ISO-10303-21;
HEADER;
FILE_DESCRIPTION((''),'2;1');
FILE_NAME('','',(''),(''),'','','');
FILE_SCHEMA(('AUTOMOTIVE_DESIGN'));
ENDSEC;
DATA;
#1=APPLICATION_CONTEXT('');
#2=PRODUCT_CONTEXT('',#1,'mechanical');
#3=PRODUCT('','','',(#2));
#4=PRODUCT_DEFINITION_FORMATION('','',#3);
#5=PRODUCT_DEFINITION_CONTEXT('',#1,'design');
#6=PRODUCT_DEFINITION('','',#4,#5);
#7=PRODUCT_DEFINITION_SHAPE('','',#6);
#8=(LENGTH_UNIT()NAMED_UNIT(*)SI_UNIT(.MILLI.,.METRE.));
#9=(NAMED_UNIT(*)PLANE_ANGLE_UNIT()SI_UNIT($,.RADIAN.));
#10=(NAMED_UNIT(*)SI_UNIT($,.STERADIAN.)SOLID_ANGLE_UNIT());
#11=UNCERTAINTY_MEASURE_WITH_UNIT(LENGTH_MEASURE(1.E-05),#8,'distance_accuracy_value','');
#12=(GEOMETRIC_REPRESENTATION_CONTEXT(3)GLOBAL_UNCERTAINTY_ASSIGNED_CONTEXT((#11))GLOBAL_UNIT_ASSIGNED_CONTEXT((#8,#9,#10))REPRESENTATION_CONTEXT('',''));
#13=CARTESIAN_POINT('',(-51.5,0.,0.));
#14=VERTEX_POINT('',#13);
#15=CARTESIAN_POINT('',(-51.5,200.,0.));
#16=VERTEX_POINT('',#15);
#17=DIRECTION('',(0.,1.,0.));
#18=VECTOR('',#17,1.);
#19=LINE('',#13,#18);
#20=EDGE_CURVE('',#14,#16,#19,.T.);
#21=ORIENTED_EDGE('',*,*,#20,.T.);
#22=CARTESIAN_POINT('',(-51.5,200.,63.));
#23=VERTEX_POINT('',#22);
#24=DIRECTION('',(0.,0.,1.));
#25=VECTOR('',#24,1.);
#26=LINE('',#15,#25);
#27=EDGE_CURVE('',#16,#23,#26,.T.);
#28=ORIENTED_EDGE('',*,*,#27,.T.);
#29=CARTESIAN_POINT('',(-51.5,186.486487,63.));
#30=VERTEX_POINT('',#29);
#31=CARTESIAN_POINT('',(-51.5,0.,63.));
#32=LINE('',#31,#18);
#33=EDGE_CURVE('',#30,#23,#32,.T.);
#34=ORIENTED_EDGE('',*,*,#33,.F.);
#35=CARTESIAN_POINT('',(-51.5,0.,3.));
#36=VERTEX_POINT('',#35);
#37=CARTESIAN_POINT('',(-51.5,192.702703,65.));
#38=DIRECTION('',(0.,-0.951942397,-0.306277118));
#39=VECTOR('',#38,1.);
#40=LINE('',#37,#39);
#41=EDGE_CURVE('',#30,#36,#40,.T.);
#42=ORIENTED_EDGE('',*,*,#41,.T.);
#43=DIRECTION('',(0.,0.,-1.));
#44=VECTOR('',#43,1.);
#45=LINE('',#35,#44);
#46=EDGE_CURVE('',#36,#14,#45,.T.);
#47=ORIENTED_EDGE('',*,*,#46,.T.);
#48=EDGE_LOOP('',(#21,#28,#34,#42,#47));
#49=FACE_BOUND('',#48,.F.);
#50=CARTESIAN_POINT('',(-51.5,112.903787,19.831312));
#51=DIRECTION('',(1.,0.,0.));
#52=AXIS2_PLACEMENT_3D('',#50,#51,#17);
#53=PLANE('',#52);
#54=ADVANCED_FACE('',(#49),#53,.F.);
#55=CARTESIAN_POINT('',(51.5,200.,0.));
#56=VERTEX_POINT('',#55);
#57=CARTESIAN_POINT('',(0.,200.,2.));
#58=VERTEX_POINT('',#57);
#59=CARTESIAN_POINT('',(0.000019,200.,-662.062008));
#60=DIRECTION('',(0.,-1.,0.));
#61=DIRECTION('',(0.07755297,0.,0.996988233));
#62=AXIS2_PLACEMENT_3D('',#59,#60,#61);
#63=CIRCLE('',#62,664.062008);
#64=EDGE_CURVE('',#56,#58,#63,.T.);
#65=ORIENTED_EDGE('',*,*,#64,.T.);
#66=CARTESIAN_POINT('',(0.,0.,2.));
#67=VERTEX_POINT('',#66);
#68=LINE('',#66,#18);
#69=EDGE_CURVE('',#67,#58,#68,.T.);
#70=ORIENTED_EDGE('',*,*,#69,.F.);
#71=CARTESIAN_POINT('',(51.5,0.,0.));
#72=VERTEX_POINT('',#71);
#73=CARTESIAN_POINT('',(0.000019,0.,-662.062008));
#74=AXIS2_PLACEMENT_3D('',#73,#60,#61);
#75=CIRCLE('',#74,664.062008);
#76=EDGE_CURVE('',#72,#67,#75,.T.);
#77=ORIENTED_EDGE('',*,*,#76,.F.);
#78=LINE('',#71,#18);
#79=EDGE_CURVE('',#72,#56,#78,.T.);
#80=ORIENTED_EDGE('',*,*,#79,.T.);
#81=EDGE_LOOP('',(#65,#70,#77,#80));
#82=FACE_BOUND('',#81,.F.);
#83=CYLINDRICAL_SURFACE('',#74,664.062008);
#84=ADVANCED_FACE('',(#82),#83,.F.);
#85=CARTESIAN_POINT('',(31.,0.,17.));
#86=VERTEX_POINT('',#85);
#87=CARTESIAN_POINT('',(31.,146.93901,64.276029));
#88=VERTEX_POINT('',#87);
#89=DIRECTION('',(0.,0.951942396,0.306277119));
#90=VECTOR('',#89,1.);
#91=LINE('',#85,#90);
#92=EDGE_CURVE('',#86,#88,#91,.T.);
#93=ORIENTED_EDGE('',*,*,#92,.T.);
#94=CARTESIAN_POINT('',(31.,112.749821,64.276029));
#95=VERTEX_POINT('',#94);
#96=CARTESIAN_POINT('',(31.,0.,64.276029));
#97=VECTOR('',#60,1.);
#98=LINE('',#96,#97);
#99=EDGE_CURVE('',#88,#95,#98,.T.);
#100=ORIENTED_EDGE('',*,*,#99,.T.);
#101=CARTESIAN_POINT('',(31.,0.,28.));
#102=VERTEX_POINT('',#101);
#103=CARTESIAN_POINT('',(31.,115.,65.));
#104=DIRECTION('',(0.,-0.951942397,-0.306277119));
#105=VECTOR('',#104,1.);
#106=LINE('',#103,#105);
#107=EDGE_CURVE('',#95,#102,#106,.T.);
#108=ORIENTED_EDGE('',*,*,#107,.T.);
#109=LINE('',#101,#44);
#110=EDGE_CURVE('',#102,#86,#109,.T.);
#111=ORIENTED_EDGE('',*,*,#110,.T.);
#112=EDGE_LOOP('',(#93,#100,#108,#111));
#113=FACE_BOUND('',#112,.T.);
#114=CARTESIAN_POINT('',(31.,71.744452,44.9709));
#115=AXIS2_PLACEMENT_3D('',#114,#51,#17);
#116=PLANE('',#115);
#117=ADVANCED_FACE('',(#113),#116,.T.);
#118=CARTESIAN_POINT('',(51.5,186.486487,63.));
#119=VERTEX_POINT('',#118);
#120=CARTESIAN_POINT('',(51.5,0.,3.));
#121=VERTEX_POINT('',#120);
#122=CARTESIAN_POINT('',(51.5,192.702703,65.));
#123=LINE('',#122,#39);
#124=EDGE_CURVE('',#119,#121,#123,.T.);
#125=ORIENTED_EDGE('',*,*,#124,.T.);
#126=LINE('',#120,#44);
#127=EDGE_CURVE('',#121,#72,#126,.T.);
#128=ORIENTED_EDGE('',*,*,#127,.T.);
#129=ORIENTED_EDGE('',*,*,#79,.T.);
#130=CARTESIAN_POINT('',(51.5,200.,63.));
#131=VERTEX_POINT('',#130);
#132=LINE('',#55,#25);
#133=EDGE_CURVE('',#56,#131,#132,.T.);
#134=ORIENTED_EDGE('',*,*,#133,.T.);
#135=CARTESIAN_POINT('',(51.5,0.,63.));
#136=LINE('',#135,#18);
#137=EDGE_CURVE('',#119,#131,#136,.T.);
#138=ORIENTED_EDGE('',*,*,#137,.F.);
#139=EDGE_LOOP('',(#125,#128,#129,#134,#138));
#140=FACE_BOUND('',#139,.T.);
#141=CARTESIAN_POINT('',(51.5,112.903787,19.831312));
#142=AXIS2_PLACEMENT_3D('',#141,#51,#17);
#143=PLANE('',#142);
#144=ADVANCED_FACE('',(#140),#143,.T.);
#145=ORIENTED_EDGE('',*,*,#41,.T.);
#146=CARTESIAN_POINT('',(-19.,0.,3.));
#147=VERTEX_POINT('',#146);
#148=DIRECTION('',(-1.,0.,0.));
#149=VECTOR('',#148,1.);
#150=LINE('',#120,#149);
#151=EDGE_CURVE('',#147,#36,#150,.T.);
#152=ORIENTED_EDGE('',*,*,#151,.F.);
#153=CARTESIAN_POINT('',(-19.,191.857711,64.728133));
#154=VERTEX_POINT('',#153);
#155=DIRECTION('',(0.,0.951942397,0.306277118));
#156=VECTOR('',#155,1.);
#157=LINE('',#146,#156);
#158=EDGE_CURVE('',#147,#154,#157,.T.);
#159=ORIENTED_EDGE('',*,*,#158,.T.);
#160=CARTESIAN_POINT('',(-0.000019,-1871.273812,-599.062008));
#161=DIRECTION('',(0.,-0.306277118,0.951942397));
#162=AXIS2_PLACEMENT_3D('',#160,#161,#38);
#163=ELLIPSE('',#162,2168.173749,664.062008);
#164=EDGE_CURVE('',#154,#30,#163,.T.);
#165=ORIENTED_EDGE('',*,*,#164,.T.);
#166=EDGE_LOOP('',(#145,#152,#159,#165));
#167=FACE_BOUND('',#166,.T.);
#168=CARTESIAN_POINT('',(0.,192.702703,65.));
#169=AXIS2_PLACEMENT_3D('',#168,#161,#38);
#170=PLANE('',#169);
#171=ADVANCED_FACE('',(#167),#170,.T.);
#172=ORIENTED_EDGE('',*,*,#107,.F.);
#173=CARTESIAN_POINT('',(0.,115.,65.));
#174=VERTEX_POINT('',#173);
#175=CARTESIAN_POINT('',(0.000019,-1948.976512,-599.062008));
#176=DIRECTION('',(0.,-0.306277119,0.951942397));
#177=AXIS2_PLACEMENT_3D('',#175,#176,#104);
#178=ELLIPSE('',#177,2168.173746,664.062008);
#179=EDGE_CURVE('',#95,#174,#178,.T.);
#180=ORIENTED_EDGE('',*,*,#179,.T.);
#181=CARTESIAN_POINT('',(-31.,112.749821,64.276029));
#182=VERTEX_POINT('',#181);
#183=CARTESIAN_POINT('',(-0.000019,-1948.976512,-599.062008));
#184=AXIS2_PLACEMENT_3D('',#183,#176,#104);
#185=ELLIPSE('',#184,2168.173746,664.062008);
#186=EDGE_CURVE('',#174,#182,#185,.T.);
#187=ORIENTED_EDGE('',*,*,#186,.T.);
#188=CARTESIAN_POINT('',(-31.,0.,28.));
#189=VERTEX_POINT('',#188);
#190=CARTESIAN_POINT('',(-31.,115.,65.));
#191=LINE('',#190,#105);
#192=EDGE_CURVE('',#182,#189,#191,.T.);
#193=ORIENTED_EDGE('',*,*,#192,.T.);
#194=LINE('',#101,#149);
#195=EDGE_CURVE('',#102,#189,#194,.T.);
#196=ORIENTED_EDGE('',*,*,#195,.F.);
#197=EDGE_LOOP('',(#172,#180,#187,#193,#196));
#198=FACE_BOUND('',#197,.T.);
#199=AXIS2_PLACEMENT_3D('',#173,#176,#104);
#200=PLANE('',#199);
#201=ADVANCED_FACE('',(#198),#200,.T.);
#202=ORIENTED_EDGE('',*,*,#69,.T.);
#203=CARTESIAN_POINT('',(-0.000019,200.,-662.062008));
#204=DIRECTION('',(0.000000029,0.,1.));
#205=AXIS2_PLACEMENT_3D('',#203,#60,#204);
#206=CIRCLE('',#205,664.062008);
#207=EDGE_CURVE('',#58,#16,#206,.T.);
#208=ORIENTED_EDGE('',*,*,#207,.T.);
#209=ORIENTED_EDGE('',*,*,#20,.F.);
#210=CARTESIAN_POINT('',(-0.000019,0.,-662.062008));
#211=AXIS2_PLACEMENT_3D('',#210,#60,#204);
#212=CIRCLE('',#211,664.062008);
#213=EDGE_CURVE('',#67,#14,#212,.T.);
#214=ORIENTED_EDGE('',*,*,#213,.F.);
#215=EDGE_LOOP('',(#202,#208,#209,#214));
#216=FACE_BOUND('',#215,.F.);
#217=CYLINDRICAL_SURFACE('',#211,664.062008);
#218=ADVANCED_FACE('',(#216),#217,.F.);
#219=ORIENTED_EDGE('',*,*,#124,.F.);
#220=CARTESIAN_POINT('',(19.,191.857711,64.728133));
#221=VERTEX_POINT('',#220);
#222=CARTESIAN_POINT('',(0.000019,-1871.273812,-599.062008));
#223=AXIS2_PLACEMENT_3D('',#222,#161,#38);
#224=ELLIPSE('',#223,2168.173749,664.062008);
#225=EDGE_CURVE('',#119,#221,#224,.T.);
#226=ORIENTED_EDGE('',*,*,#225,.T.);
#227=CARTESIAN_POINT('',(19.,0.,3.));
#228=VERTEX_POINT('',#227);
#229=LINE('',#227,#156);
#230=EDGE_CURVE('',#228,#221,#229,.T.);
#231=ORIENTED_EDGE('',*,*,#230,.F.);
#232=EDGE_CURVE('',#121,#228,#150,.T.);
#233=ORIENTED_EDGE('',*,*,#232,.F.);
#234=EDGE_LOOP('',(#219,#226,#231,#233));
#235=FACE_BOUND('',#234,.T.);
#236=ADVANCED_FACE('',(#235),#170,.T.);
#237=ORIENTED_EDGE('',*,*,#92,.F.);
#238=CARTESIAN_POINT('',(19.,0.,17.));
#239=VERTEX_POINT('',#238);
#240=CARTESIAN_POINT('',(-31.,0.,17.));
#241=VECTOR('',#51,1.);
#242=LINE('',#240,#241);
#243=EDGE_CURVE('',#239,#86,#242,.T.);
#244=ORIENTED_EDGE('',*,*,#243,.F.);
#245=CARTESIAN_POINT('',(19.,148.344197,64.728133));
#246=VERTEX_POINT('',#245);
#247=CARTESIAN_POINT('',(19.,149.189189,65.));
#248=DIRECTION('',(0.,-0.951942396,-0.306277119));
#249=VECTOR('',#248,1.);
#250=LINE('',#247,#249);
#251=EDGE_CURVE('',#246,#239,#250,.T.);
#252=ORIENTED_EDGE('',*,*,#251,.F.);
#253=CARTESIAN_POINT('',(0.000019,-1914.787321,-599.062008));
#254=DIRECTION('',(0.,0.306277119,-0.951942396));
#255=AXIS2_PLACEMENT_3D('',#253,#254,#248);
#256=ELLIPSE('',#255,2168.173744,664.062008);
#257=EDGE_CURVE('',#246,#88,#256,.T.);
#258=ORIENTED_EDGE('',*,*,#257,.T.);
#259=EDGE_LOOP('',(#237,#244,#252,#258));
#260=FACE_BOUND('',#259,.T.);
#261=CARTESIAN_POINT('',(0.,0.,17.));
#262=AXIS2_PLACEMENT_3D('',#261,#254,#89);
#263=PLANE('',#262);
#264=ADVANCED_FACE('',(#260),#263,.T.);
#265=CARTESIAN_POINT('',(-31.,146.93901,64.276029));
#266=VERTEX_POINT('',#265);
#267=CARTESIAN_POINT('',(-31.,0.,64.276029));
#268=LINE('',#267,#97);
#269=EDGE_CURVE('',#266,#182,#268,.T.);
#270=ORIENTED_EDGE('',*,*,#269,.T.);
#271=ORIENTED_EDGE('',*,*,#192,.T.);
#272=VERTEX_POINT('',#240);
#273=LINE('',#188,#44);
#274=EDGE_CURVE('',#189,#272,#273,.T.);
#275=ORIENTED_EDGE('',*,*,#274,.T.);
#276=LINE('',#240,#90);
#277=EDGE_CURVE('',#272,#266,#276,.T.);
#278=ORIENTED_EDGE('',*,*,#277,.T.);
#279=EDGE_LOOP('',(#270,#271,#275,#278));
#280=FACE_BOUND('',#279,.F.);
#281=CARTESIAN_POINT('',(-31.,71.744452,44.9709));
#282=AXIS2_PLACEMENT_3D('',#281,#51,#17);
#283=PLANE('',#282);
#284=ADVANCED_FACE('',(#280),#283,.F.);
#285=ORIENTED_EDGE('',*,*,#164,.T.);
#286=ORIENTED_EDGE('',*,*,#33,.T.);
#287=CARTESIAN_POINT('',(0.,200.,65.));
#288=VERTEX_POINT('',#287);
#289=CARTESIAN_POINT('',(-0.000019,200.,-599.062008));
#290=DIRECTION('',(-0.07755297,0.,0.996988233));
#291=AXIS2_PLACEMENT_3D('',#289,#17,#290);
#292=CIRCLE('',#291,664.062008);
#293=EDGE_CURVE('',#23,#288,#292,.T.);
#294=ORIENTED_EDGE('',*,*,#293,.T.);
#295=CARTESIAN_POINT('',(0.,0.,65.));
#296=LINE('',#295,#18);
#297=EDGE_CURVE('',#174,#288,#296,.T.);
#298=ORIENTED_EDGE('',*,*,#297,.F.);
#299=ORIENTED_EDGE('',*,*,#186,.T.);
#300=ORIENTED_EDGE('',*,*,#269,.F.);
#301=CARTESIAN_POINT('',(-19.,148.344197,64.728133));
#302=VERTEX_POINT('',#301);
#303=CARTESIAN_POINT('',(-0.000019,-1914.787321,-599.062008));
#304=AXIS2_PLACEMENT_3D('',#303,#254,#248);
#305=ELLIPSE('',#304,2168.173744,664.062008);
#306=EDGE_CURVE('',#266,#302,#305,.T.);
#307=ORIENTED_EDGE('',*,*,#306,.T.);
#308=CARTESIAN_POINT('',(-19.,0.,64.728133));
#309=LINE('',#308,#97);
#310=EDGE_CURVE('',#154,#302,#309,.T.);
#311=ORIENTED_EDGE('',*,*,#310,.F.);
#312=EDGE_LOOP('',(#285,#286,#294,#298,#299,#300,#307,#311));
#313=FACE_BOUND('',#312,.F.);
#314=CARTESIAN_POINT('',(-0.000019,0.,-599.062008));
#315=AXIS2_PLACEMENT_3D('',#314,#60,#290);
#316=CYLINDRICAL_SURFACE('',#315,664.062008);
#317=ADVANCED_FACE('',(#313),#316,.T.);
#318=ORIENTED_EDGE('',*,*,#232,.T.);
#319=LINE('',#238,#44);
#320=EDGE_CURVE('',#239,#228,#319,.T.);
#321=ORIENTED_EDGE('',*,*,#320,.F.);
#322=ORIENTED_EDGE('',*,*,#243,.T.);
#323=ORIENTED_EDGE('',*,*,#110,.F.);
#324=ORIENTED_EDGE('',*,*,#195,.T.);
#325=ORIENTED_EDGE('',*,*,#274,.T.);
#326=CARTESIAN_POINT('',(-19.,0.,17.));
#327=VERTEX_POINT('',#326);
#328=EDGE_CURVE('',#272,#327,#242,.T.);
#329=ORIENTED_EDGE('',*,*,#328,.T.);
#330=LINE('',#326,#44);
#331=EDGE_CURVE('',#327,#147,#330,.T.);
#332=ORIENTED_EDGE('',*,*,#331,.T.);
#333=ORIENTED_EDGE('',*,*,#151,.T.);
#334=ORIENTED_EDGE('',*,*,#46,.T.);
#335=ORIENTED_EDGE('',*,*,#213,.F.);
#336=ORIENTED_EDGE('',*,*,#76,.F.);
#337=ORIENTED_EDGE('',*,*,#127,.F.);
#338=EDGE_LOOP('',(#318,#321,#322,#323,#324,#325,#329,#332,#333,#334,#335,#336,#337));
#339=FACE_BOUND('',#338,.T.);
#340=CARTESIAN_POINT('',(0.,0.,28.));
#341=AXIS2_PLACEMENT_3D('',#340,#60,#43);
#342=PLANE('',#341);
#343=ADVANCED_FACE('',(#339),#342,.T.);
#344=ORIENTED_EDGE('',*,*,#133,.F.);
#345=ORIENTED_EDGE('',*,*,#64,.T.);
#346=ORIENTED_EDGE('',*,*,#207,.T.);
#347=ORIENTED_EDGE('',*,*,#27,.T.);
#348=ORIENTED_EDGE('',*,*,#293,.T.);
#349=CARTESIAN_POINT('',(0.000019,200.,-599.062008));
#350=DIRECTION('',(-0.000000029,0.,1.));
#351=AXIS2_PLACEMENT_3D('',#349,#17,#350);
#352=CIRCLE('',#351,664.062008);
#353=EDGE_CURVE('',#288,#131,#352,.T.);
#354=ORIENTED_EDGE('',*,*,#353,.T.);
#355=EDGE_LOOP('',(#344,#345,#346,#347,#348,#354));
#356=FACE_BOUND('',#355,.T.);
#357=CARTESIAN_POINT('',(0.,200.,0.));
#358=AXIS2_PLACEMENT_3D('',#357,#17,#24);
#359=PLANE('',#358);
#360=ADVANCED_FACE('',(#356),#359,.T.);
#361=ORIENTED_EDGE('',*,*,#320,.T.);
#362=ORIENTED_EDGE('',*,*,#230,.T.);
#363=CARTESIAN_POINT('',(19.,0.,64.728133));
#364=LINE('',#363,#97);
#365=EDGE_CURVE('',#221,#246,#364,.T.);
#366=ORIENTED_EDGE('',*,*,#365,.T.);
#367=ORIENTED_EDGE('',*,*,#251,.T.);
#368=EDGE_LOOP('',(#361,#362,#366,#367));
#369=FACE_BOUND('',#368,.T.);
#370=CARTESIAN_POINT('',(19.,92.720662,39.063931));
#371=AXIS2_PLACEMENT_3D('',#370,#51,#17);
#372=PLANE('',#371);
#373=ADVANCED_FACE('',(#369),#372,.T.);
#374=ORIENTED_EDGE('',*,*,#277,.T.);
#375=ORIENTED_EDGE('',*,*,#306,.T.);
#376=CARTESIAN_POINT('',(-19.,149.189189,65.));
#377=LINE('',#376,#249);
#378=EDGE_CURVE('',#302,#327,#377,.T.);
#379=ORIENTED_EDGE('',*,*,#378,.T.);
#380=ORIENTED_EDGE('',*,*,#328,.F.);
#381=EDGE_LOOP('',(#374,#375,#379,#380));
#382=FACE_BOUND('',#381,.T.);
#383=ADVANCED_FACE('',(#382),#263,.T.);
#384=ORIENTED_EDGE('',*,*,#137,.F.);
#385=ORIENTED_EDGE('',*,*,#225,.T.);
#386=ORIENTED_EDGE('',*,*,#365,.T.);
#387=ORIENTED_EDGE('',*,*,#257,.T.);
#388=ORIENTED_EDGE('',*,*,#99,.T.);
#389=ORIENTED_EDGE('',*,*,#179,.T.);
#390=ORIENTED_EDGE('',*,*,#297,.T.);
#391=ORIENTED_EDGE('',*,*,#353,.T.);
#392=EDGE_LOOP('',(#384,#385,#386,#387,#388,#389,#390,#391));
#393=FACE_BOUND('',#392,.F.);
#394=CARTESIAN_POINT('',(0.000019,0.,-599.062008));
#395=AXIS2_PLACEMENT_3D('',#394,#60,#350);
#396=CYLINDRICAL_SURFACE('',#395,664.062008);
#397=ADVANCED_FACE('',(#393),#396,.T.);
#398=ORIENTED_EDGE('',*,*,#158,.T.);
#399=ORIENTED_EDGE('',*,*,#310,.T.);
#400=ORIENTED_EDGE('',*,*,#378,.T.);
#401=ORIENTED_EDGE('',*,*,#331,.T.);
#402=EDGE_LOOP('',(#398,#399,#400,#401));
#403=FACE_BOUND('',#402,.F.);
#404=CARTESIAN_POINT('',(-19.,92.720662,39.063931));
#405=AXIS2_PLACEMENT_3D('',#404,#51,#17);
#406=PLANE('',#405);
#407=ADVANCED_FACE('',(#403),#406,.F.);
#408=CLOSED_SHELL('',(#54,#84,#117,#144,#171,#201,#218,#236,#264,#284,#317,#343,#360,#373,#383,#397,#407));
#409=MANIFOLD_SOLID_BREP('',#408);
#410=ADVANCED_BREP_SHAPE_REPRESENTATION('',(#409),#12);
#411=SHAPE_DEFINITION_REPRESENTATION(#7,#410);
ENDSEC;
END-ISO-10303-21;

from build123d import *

# Parameters (mm, degrees)
F1_DEPTH = 51.5
F2_DEPTH = 19
F3_DEPTH = 31
F5_DEPTH = 200
F7_DEPTH = 200


with BuildPart() as f1:
    # F0 (on Right) → F1 (new body, symmetric)
    with BuildSketch(Plane.YZ):
        Polygon((0, 3), (0, 0), (200, 0), (200, 65), (192.702703, 65), align=None)
    extrude(amount=F1_DEPTH, both=True)

    # F0 (on Right) → F2 (join, symmetric)
    with BuildSketch(Plane.YZ):
        Polygon((0, 17), (0, 3), (192.702703, 65), (149.189189, 65), align=None)
    extrude(amount=F2_DEPTH, both=True)

    # F0 (on Right) → F3 (join, symmetric)
    with BuildSketch(Plane.YZ):
        Polygon((0, 28), (0, 17), (149.189189, 65), (115, 65), align=None)
    extrude(amount=F3_DEPTH, both=True)

    # F4 (on Front) → F5 (cut)
    with BuildSketch(Plane.XZ):
        with BuildLine():
            Line((-51.5, 0), (0, 0))
            Line((0, 0), (0, 2))
            ThreePointArc((0, 2), (-25.76941, 1.499812), (-51.5, 0))
        make_face()
        with BuildLine():
            Line((0, 2), (0, 0))
            Line((0, 0), (51.5, 0))
            ThreePointArc((51.5, 0), (25.76941, 1.499812), (0, 2))
        make_face()
    extrude(amount=-F5_DEPTH, mode=Mode.SUBTRACT)

    # F6 (on Front) → F7 (cut)
    with BuildSketch(Plane.XZ):
        with BuildLine():
            ThreePointArc((0, 65), (25.76941, 64.499812), (51.5, 63))
            Line((51.5, 63), (51.5, 65))
            Line((51.5, 65), (0, 65))
        make_face()
        with BuildLine():
            Line((-51.5, 65), (-51.5, 63))
            ThreePointArc((-51.5, 63), (-25.76941, 64.499812), (0, 65))
            Line((0, 65), (-51.5, 65))
        make_face()
    extrude(amount=-F7_DEPTH, mode=Mode.SUBTRACT)


solid = f1.part
